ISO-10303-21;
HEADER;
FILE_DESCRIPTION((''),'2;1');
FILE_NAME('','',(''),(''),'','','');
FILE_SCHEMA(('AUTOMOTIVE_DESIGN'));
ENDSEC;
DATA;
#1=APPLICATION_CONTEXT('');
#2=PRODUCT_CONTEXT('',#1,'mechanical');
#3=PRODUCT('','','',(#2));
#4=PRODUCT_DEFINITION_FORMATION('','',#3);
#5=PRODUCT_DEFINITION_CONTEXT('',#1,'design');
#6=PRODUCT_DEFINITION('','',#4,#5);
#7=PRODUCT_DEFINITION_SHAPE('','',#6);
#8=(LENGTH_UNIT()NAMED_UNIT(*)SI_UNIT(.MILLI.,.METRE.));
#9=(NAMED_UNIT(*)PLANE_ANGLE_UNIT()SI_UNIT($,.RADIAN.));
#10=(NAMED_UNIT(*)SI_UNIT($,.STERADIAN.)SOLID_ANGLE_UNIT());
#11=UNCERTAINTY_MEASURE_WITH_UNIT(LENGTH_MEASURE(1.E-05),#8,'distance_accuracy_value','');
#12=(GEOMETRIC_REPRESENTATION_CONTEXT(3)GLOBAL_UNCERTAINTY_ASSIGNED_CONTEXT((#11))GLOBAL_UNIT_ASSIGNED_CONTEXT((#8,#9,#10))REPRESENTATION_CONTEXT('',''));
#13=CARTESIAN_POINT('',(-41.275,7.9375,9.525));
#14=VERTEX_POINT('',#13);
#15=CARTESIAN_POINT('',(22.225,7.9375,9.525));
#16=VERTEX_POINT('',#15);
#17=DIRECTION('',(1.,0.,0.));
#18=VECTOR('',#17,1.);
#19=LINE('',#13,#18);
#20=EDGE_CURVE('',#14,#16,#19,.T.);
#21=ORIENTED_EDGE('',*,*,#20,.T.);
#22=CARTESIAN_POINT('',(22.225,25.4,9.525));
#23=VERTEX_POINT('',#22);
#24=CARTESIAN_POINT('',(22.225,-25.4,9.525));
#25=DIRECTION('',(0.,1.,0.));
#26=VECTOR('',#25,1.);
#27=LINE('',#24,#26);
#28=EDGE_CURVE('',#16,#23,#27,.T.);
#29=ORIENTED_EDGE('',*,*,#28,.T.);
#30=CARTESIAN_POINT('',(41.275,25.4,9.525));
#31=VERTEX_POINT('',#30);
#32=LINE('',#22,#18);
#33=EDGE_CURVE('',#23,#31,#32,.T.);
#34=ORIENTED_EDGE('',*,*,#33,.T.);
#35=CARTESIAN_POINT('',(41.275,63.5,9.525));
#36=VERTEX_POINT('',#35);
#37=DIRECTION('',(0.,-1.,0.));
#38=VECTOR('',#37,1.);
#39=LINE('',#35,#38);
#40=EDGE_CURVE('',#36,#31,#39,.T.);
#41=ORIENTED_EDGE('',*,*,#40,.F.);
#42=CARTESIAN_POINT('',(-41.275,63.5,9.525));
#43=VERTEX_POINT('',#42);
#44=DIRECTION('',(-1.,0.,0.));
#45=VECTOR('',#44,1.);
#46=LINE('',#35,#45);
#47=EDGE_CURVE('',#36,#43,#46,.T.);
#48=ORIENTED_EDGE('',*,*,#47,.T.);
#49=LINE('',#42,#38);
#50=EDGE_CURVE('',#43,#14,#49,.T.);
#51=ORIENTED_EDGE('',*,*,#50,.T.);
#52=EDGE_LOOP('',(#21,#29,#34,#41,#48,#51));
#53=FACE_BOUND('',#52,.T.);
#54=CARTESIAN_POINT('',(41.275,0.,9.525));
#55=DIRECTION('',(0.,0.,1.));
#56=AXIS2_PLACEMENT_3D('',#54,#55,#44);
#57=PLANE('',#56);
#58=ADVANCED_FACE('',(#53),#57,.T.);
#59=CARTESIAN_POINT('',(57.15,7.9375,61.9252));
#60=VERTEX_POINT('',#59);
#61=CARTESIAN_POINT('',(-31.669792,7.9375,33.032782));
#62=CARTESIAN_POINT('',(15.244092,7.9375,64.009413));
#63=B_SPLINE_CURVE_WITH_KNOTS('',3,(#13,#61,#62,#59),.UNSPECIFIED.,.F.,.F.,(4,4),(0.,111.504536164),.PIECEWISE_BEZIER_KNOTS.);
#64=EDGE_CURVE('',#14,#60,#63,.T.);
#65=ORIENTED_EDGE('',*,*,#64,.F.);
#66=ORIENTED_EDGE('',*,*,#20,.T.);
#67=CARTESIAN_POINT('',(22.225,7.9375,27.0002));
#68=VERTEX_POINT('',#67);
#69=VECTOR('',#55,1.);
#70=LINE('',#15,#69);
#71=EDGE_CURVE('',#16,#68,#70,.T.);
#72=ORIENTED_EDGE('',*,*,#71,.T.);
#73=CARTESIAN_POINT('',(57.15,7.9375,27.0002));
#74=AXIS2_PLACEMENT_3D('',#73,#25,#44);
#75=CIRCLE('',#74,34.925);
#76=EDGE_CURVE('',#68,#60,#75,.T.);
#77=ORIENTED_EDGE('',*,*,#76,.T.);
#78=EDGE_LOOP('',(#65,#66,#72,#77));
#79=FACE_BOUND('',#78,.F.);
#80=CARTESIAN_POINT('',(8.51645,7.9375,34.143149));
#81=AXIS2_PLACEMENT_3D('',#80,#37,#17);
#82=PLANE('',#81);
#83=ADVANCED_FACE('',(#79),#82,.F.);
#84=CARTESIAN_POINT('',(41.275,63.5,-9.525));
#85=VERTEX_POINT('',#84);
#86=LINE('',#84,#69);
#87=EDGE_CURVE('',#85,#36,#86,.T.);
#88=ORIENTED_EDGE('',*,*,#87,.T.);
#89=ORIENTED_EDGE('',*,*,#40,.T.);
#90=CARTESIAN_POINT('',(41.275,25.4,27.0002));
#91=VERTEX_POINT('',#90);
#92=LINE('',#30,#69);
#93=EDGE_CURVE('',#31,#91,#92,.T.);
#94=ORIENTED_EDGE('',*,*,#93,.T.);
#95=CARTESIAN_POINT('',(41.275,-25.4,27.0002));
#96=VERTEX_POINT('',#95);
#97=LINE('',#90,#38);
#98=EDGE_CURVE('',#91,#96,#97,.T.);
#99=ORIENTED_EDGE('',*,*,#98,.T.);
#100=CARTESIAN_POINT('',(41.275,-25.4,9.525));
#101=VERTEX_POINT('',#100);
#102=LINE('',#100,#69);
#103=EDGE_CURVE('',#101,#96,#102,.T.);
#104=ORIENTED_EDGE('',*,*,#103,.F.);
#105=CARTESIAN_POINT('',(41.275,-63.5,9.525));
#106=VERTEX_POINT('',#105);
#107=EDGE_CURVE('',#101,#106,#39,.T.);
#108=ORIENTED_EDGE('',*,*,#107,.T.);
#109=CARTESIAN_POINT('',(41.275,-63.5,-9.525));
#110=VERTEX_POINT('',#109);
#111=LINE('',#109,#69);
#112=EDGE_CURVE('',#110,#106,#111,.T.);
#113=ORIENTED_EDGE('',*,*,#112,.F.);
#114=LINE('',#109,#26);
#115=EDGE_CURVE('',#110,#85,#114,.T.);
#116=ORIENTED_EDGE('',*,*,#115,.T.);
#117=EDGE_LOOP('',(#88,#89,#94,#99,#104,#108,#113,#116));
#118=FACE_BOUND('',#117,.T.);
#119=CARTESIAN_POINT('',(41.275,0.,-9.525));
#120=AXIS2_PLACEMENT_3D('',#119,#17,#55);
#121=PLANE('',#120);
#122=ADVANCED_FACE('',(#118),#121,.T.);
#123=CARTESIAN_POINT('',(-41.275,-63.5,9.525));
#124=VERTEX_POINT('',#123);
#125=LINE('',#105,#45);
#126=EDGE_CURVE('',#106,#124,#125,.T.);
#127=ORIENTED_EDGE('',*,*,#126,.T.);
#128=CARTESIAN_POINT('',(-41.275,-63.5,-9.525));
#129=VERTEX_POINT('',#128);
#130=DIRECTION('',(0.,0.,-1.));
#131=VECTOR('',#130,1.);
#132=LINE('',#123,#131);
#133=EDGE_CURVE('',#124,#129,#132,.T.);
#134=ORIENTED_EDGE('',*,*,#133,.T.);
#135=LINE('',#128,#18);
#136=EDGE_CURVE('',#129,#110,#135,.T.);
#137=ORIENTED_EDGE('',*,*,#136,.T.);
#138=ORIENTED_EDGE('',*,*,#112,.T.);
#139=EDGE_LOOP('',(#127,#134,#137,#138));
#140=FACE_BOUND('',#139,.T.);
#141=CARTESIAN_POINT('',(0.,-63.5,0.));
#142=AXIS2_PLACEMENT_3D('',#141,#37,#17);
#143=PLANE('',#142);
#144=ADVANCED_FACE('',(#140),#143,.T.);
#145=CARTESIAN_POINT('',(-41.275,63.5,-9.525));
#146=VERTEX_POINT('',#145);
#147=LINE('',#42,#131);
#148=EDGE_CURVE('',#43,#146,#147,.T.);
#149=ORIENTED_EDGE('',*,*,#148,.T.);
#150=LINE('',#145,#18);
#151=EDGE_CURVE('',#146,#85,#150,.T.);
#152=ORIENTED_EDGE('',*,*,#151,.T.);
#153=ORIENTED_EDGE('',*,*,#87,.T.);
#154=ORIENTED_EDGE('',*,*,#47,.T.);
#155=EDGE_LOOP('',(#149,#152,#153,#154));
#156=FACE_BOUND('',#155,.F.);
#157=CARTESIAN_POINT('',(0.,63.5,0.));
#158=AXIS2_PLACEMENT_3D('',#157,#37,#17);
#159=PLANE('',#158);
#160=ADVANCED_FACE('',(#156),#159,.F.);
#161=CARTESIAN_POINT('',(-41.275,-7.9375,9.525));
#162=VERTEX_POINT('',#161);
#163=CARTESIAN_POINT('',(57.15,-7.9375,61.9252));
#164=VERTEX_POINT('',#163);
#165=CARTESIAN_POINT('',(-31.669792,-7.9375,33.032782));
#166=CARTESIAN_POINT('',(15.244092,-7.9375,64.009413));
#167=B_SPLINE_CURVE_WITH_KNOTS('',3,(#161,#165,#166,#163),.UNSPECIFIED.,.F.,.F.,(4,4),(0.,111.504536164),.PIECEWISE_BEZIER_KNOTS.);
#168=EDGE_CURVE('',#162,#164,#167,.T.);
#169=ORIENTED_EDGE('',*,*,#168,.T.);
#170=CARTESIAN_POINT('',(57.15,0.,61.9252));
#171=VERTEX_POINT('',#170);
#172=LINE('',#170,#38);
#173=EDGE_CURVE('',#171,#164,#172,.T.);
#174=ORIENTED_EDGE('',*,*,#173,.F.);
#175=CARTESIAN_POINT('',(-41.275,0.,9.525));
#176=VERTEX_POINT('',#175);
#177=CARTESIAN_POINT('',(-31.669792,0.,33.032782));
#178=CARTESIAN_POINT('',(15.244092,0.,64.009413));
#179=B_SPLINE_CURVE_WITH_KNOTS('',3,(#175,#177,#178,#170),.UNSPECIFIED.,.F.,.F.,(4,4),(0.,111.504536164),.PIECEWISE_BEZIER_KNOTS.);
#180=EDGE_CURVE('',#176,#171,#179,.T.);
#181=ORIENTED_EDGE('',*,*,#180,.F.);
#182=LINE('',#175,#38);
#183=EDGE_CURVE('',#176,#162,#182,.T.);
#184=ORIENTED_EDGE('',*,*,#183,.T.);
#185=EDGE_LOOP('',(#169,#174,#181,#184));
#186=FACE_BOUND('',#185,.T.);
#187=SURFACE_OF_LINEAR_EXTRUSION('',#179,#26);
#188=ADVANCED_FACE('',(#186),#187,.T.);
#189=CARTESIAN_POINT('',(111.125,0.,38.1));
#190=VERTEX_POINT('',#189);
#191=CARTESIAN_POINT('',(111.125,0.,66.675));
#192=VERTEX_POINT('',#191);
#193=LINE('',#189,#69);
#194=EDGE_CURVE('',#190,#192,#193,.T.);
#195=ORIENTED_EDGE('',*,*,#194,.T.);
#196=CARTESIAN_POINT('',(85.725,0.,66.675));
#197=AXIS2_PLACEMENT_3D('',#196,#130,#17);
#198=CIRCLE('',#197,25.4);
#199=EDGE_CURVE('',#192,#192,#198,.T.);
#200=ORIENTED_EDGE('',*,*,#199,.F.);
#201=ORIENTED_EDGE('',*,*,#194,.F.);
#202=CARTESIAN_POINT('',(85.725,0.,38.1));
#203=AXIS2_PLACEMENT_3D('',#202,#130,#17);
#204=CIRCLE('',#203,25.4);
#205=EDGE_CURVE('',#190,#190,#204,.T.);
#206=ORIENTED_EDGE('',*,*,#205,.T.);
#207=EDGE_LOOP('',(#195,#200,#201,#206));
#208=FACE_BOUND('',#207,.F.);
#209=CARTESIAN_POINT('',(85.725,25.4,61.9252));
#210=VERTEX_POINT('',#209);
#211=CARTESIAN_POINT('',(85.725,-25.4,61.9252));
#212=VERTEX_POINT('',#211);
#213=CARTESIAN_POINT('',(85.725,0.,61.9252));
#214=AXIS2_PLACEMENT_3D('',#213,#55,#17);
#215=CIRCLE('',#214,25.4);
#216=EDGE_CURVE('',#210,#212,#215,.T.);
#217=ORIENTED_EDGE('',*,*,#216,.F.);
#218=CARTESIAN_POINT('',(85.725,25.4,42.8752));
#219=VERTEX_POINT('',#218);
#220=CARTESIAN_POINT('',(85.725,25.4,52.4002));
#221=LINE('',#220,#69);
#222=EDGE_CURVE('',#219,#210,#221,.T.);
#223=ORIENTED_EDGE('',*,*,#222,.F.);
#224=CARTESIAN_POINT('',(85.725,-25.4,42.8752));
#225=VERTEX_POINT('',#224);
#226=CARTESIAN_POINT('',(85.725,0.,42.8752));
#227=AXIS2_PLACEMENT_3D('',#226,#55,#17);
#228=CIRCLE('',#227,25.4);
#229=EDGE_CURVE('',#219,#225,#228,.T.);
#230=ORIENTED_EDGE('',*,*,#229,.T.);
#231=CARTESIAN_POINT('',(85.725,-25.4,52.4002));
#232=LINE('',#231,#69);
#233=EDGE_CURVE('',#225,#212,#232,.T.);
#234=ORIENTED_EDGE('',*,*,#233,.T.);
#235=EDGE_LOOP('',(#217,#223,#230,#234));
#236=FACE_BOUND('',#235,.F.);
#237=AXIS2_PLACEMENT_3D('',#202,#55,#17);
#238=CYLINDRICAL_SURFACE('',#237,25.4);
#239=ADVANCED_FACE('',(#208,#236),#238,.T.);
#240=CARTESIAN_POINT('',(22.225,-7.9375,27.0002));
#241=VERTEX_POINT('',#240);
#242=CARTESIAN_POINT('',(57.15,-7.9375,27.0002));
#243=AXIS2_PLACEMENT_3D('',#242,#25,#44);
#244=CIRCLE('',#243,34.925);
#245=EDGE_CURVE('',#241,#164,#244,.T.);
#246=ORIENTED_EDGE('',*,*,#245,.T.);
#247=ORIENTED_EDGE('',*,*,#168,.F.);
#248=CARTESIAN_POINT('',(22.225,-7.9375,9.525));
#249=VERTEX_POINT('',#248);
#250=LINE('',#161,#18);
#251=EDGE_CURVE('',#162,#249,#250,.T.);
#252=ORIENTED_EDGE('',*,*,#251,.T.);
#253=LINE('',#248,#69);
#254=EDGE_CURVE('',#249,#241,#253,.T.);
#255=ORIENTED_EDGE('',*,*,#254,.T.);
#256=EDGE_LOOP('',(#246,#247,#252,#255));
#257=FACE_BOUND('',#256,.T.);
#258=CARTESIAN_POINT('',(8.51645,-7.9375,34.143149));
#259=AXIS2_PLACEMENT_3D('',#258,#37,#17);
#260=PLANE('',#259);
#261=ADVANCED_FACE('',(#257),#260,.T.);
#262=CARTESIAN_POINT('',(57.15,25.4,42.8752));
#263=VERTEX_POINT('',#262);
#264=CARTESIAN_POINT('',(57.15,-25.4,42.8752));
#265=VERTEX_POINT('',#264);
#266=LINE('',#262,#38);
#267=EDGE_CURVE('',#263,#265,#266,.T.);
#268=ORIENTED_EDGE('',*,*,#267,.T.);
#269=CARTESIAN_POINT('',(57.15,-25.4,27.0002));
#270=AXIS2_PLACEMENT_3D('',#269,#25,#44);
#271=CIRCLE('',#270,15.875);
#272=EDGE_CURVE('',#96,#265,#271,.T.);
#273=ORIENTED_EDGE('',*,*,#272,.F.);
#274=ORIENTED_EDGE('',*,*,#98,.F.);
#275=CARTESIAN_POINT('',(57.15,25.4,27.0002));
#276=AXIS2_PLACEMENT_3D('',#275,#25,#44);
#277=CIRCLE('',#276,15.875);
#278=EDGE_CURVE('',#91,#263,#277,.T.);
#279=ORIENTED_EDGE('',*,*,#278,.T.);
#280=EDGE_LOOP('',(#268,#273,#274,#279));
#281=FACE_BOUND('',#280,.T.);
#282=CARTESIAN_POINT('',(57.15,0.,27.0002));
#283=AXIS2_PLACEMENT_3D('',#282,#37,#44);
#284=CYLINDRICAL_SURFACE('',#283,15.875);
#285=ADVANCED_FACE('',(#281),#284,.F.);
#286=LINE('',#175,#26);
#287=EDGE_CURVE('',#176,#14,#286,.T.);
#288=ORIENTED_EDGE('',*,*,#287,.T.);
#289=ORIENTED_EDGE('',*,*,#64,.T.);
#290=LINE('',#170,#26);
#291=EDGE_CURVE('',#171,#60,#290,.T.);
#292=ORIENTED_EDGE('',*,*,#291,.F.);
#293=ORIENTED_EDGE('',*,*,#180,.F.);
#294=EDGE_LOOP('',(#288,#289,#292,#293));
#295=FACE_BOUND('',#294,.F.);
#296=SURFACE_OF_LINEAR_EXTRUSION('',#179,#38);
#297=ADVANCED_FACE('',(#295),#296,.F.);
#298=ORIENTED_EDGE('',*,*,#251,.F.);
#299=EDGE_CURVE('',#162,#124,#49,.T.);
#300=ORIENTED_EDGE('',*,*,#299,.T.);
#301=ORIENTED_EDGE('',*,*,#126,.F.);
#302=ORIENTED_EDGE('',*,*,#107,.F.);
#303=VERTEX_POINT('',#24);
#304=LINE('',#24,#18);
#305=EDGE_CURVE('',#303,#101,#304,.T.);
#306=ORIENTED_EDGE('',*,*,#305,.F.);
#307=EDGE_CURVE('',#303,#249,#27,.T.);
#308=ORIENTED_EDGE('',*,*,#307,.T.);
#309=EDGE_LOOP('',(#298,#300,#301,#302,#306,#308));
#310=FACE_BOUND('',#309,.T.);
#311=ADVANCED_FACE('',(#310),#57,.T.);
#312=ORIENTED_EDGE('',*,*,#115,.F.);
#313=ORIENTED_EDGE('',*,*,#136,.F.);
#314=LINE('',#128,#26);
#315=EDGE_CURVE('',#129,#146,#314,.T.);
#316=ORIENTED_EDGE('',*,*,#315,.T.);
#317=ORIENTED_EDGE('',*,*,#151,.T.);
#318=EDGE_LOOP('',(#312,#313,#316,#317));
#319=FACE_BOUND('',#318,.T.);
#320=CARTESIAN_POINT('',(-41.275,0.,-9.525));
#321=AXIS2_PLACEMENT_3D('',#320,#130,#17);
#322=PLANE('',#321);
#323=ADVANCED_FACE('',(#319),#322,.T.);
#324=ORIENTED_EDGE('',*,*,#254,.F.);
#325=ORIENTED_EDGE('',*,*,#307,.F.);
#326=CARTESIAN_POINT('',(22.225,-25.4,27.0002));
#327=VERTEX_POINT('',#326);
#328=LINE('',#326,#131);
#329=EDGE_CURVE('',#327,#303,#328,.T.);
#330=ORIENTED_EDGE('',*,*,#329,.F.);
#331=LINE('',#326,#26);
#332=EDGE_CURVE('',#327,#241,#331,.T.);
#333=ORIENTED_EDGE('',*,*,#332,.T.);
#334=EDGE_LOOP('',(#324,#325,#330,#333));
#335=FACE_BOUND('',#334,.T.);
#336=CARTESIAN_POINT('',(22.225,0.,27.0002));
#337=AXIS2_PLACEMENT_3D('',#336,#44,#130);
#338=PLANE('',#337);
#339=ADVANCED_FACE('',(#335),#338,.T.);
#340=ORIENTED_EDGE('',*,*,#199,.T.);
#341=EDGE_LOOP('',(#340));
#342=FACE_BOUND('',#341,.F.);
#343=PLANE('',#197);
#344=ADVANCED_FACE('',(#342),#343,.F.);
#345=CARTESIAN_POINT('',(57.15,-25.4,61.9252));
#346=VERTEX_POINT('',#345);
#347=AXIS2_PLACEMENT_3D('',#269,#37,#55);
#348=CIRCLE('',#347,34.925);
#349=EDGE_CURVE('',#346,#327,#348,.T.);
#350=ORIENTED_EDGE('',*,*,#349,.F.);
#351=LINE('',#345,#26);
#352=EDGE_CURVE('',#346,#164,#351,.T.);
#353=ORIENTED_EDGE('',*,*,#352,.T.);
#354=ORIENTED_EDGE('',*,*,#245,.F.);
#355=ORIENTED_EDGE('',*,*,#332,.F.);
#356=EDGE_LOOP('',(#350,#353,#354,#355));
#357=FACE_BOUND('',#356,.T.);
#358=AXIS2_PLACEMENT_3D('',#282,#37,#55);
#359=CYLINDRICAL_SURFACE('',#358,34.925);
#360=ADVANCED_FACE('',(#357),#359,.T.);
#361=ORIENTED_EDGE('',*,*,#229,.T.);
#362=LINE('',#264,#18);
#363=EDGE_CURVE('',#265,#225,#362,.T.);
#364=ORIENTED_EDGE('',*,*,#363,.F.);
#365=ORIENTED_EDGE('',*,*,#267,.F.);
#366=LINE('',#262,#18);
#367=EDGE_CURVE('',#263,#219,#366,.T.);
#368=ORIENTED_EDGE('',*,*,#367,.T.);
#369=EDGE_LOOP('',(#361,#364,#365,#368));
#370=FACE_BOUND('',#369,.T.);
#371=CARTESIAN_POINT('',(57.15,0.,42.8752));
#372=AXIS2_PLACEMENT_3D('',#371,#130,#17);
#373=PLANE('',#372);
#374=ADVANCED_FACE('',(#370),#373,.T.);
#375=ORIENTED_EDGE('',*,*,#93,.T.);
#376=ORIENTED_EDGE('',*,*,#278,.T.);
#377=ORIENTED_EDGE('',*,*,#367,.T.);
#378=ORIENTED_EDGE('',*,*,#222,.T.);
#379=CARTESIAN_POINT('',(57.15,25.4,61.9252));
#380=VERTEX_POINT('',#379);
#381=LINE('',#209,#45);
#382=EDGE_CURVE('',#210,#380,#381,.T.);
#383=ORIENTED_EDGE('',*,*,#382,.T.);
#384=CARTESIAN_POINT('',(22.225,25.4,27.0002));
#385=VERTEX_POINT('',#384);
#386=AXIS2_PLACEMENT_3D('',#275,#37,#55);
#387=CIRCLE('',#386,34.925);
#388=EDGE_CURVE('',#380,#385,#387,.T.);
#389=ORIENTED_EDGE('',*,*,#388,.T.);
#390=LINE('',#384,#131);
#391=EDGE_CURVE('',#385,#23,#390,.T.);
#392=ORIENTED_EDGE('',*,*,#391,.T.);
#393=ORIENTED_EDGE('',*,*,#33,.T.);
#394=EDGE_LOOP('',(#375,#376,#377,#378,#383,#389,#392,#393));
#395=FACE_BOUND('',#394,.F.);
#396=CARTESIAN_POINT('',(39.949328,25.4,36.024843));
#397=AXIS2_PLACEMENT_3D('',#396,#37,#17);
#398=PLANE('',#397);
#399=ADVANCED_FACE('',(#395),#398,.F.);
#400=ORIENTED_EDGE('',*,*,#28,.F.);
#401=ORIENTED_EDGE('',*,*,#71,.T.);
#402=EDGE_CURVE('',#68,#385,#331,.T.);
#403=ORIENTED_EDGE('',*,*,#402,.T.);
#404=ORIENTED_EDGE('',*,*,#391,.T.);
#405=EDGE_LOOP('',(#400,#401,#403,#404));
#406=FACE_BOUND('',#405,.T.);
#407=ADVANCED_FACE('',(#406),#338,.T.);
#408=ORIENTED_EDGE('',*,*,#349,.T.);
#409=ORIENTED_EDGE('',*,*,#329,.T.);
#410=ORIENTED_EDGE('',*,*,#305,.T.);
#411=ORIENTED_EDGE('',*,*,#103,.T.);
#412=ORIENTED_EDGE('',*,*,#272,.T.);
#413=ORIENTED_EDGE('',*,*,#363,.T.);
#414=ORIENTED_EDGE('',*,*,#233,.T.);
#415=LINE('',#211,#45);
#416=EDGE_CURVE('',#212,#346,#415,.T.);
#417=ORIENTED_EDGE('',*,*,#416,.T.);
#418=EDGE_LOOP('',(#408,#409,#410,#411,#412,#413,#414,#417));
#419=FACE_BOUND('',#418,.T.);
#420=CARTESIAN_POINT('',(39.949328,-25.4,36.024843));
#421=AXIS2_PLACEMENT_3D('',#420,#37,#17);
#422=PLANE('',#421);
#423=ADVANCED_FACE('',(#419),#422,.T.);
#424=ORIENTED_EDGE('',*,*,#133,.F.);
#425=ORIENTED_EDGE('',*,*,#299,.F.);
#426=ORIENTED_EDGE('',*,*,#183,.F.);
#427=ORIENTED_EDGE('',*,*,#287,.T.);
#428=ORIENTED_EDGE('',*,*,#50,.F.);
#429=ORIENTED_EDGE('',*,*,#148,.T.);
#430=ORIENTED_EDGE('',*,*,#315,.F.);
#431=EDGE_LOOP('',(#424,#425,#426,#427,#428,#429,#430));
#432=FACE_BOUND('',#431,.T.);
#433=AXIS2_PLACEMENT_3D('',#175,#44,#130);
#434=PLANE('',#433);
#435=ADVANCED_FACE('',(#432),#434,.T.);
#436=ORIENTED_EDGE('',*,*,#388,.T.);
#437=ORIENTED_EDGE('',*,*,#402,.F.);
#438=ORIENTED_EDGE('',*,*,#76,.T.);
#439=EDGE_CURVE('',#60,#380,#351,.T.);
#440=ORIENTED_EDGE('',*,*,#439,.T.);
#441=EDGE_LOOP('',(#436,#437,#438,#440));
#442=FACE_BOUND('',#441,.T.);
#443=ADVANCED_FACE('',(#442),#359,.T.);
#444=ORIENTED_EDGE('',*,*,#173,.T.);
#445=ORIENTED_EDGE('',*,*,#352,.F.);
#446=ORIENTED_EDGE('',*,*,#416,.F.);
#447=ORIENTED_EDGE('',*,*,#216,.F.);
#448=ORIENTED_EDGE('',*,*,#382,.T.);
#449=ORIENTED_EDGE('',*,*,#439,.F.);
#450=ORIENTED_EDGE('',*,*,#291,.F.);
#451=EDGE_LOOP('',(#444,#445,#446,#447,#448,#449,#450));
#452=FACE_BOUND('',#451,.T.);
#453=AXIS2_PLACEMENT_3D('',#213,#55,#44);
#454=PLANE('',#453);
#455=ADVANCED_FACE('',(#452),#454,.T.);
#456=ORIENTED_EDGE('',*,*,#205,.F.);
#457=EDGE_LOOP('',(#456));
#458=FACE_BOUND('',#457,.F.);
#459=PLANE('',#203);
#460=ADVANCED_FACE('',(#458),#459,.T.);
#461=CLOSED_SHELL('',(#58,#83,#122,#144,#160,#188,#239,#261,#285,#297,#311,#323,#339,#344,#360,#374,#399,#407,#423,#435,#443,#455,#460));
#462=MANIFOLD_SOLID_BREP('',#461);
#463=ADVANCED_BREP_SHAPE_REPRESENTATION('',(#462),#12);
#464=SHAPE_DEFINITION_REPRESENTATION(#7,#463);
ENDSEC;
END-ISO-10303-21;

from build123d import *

# Parameters (mm, degrees)
F1_DEPTH = 63.5
F0_W     = 25.4
F0_H     = 19.05
F2_DEPTH = 25.4
F3_DEPTH = 7.9375


with BuildPart() as f1:
    # F0 (on Front) → F1 (new body, symmetric)
    with BuildSketch(Plane.XZ):
        Polygon((41.275, -9.525), (41.275, 9.525), (22.225, 9.525), (-41.275, 9.525), (-41.275, -9.525), align=None)
    extrude(amount=F1_DEPTH, both=True)

    # F0 (on Front) → F2 (join, symmetric)
    with BuildSketch(Plane.XZ):
        with BuildLine():
            Line((22.225, 9.525), (41.275, 9.525))
            Line((41.275, 9.525), (41.275, 27.0002))
            ThreePointArc((41.275, 27.0002), (45.9246798487, 38.2255201513), (57.15, 42.8752))
            Line((57.15, 42.8752), (60.325, 42.8752))
            Line((60.325, 42.8752), (60.325, 61.9252))
            Line((60.325, 61.9252), (57.15, 61.9252))
            ThreePointArc((57.15, 61.9252), (32.4542956671, 51.6959043329), (22.225, 27.0002))
            Line((22.225, 27.0002), (22.225, 9.525))
        make_face()
        with Locations((73.025, 52.4002)):
            Rectangle(F0_W, F0_H)
    extrude(amount=F2_DEPTH, both=True)

    # F0 (on Front) → F3 (join, symmetric)
    with BuildSketch(Plane.XZ):
        with BuildLine():
            Line((-41.275, 9.525), (22.225, 9.525))
            Line((22.225, 9.525), (22.225, 27.0002))
            ThreePointArc((22.225, 27.0002), (32.4542956671, 51.6959043329), (57.15, 61.9252))
            add(Edge.make_bspline(
                [(-41.275, 9.525), (-31.6697917879, 33.0327823758), (15.2440918609, 64.0094131231), (57.15, 61.9252)],
                knots=[0, 0, 0, 0, 111.5045361635, 111.5045361635, 111.5045361635, 111.5045361635], degree=3))
        make_face()
    extrude(amount=F3_DEPTH, both=True)

    # F0 (on Front) → F4 (revolve)
    with BuildSketch(Plane.XZ):
        Polygon((85.725, 61.9252), (85.725, 42.8752), (85.725, 38.1), (111.125, 38.1), (111.125, 66.675), (85.725, 66.675), align=None)
    revolve(axis=Axis((85.725, 0, 52.3875), (0, 0, -1)))


solid = f1.part
